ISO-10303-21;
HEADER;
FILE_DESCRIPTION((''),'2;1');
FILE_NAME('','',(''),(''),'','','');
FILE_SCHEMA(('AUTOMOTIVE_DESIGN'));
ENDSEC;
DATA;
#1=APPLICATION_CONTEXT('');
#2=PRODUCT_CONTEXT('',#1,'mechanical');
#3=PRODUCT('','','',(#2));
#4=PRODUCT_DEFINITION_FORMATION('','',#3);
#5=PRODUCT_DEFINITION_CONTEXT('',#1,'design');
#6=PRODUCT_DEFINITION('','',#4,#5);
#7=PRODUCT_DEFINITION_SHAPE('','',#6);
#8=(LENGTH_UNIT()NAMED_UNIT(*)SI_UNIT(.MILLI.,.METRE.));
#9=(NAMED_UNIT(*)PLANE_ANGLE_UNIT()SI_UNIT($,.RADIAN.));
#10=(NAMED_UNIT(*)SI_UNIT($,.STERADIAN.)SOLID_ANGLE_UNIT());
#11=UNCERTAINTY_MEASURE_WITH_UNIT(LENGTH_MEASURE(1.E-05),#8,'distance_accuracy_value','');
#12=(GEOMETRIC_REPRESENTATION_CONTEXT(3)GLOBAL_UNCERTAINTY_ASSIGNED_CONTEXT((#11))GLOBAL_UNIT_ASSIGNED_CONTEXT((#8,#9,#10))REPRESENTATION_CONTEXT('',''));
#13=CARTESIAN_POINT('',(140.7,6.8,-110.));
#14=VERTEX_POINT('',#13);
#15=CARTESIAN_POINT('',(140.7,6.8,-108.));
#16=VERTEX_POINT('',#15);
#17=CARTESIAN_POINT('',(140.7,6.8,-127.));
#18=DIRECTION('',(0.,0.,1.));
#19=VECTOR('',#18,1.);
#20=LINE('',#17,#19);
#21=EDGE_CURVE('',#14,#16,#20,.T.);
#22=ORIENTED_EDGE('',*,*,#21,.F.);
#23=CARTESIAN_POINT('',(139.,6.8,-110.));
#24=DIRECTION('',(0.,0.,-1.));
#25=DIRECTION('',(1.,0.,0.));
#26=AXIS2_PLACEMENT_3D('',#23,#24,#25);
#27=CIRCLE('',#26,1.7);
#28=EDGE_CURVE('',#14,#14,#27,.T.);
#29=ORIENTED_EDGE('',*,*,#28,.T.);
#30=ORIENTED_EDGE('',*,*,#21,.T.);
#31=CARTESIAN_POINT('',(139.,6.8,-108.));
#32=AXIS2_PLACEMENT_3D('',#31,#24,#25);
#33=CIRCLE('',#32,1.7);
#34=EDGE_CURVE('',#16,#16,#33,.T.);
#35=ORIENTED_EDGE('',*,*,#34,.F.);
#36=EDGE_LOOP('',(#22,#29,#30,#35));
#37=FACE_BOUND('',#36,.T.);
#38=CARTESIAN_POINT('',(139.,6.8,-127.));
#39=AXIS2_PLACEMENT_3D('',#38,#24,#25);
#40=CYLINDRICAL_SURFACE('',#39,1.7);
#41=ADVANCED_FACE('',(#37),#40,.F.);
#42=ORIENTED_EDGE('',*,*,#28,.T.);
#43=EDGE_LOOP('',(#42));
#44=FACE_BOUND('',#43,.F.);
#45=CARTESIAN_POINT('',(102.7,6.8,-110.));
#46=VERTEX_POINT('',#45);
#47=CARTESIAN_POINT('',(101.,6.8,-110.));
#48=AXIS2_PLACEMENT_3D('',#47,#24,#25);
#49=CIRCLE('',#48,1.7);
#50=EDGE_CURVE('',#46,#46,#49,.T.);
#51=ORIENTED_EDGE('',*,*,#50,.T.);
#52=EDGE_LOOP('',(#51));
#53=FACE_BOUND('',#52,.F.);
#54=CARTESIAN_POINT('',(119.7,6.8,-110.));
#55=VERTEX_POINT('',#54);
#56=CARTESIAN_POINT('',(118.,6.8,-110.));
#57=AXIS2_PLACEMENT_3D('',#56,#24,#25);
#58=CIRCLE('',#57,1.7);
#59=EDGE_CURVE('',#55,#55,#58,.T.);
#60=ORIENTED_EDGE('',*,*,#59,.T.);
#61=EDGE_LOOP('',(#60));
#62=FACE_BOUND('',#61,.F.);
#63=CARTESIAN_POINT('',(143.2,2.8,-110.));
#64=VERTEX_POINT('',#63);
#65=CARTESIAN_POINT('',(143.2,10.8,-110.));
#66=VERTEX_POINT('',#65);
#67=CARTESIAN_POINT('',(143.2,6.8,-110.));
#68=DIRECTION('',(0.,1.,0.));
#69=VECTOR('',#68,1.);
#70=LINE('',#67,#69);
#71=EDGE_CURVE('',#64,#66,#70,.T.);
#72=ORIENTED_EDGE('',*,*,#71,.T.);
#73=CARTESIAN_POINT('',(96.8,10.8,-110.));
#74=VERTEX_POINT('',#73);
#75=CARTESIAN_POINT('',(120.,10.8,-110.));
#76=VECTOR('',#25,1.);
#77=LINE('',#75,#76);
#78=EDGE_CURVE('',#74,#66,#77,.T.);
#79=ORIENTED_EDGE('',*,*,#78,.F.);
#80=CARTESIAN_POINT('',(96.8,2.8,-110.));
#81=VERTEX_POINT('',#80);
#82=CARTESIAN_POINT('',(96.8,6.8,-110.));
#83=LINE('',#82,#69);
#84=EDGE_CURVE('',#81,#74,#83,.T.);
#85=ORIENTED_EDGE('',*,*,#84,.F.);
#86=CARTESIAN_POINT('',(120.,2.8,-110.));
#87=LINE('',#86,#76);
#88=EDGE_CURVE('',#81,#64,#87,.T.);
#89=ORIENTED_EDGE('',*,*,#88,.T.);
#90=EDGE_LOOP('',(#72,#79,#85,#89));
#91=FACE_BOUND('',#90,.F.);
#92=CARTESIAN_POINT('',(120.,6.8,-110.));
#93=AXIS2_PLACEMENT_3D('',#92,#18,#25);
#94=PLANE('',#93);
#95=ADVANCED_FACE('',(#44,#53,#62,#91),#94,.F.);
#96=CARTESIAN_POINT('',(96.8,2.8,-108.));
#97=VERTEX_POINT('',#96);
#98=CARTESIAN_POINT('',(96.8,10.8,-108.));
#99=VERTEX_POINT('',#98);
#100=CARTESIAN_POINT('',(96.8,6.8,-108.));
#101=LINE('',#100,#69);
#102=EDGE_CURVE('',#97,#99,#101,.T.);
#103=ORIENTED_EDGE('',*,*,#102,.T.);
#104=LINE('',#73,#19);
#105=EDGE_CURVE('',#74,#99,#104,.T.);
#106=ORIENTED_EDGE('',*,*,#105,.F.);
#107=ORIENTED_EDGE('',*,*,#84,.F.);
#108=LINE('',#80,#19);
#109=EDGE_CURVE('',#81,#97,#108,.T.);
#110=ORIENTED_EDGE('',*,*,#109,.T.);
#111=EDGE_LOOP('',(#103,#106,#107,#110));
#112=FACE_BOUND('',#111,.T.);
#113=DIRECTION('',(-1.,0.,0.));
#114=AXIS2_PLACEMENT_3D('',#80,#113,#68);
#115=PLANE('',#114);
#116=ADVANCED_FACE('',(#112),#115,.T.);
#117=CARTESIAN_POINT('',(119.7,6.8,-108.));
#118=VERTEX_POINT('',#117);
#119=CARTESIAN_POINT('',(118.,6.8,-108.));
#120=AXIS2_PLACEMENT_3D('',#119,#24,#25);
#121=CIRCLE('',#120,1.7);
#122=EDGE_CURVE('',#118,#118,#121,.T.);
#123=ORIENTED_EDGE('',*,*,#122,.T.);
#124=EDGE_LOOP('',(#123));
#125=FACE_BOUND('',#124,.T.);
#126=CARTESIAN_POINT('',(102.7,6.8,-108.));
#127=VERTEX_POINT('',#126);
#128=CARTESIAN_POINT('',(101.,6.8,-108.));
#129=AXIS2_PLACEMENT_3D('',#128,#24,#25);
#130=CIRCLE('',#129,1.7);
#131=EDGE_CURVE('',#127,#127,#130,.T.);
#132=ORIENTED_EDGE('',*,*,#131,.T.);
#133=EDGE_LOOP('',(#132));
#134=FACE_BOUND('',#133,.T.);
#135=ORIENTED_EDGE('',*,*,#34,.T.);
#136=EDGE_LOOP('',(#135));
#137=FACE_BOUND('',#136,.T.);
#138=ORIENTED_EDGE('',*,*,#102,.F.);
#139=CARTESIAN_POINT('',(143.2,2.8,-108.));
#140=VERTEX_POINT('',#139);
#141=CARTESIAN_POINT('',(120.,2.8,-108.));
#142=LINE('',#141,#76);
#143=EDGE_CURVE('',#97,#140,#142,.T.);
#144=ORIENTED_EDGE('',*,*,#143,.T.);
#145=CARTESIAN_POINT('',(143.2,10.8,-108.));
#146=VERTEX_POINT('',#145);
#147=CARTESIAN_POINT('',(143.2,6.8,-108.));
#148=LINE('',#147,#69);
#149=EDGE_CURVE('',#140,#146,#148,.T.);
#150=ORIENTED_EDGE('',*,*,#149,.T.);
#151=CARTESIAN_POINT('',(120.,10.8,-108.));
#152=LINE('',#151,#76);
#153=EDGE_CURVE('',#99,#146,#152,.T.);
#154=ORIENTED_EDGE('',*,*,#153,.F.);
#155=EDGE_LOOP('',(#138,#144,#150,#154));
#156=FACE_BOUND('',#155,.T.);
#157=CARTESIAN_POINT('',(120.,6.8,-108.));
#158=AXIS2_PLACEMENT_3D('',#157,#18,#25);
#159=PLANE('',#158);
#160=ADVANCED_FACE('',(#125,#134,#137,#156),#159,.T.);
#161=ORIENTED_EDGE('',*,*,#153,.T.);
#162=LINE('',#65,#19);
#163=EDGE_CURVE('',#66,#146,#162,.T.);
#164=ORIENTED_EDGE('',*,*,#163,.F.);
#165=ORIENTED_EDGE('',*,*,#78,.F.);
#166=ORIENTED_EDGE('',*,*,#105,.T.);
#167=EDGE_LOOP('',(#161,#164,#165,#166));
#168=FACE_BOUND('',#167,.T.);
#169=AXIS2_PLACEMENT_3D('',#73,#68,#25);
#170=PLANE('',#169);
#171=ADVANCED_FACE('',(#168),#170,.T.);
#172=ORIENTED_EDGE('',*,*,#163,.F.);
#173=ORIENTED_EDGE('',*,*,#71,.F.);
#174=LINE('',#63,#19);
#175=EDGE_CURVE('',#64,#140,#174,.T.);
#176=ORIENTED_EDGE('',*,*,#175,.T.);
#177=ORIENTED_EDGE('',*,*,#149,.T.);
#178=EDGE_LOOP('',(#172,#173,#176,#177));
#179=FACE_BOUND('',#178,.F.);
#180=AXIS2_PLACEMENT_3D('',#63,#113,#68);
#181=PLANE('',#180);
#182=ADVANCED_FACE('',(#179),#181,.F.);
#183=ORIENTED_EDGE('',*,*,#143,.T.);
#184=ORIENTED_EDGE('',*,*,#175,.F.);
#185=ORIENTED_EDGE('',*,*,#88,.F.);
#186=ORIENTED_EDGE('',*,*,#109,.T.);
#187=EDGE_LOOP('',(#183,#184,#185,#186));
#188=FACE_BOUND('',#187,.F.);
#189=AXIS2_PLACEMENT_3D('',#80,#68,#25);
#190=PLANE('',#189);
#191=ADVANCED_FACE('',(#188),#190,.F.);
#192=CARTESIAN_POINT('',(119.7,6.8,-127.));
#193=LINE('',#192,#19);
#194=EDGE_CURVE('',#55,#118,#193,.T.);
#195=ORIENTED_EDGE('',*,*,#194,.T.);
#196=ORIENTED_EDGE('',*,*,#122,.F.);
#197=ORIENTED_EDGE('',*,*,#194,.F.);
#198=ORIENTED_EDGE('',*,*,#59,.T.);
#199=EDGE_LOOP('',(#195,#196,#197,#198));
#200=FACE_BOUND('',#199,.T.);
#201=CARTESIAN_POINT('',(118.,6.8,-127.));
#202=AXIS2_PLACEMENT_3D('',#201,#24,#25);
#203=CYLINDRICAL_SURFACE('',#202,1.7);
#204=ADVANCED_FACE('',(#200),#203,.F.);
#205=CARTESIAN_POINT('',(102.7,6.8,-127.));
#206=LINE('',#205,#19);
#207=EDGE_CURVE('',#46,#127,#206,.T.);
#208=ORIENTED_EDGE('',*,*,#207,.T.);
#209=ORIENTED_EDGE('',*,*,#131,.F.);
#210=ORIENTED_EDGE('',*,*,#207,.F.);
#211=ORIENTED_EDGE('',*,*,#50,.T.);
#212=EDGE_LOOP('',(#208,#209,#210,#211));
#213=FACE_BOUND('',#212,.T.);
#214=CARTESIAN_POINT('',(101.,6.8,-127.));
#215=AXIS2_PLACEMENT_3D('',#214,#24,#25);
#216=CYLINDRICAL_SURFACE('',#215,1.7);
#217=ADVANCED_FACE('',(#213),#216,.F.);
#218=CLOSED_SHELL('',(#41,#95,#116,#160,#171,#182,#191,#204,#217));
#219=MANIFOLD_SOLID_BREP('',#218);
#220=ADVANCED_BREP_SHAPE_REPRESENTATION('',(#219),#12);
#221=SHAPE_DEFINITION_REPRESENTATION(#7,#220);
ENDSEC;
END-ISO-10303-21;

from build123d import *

# Parameters (mm, degrees)
CYLINDER005_R     = 1.7
CYLINDER005_DEPTH = 30
CYLINDER003_R     = 1.7
CYLINDER003_DEPTH = 30
CYLINDER001_R     = 1.7
CYLINDER001_DEPTH = 30
BOX014_W          = 46.4
BOX014_H          = 8
BOX014_DEPTH      = 2


with BuildPart() as cylinder005:
    # Cylinder005 → Cylinder005 (new body)
    with BuildSketch(Plane(origin=(139, 6.8, -127), x_dir=(1, 0, 0), z_dir=(0, 0, 1))):
        Circle(CYLINDER005_R)
    extrude(amount=CYLINDER005_DEPTH)


with BuildPart() as cylinder003:
    # Cylinder003 → Cylinder003 (new body)
    with BuildSketch(Plane(origin=(118, 6.8, -127), x_dir=(1, 0, 0), z_dir=(0, 0, 1))):
        Circle(CYLINDER003_R)
    extrude(amount=CYLINDER003_DEPTH)


with BuildPart() as cylinder001:
    # Cylinder001 → Cylinder001 (new body)
    with BuildSketch(Plane(origin=(101, 6.8, -127), x_dir=(1, 0, 0), z_dir=(0, 0, 1))):
        Circle(CYLINDER001_R)
    extrude(amount=CYLINDER001_DEPTH)


with BuildPart() as cut008:
    # Box014 → Box014 (new body)
    with BuildSketch(Plane(origin=(96.8, 2.8, -110), x_dir=(1, 0, 0), z_dir=(0, 0, 1))):
        with Locations((23.2, 4)):
            Rectangle(BOX014_W, BOX014_H)
    extrude(amount=BOX014_DEPTH)

    # Cut006: cut Cylinder001
    add(cylinder001.part, mode=Mode.SUBTRACT)

    # Cut007: cut Cylinder003
    add(cylinder003.part, mode=Mode.SUBTRACT)

    # Cut008: cut Cylinder005
    add(cylinder005.part, mode=Mode.SUBTRACT)


solid = cut008.part
